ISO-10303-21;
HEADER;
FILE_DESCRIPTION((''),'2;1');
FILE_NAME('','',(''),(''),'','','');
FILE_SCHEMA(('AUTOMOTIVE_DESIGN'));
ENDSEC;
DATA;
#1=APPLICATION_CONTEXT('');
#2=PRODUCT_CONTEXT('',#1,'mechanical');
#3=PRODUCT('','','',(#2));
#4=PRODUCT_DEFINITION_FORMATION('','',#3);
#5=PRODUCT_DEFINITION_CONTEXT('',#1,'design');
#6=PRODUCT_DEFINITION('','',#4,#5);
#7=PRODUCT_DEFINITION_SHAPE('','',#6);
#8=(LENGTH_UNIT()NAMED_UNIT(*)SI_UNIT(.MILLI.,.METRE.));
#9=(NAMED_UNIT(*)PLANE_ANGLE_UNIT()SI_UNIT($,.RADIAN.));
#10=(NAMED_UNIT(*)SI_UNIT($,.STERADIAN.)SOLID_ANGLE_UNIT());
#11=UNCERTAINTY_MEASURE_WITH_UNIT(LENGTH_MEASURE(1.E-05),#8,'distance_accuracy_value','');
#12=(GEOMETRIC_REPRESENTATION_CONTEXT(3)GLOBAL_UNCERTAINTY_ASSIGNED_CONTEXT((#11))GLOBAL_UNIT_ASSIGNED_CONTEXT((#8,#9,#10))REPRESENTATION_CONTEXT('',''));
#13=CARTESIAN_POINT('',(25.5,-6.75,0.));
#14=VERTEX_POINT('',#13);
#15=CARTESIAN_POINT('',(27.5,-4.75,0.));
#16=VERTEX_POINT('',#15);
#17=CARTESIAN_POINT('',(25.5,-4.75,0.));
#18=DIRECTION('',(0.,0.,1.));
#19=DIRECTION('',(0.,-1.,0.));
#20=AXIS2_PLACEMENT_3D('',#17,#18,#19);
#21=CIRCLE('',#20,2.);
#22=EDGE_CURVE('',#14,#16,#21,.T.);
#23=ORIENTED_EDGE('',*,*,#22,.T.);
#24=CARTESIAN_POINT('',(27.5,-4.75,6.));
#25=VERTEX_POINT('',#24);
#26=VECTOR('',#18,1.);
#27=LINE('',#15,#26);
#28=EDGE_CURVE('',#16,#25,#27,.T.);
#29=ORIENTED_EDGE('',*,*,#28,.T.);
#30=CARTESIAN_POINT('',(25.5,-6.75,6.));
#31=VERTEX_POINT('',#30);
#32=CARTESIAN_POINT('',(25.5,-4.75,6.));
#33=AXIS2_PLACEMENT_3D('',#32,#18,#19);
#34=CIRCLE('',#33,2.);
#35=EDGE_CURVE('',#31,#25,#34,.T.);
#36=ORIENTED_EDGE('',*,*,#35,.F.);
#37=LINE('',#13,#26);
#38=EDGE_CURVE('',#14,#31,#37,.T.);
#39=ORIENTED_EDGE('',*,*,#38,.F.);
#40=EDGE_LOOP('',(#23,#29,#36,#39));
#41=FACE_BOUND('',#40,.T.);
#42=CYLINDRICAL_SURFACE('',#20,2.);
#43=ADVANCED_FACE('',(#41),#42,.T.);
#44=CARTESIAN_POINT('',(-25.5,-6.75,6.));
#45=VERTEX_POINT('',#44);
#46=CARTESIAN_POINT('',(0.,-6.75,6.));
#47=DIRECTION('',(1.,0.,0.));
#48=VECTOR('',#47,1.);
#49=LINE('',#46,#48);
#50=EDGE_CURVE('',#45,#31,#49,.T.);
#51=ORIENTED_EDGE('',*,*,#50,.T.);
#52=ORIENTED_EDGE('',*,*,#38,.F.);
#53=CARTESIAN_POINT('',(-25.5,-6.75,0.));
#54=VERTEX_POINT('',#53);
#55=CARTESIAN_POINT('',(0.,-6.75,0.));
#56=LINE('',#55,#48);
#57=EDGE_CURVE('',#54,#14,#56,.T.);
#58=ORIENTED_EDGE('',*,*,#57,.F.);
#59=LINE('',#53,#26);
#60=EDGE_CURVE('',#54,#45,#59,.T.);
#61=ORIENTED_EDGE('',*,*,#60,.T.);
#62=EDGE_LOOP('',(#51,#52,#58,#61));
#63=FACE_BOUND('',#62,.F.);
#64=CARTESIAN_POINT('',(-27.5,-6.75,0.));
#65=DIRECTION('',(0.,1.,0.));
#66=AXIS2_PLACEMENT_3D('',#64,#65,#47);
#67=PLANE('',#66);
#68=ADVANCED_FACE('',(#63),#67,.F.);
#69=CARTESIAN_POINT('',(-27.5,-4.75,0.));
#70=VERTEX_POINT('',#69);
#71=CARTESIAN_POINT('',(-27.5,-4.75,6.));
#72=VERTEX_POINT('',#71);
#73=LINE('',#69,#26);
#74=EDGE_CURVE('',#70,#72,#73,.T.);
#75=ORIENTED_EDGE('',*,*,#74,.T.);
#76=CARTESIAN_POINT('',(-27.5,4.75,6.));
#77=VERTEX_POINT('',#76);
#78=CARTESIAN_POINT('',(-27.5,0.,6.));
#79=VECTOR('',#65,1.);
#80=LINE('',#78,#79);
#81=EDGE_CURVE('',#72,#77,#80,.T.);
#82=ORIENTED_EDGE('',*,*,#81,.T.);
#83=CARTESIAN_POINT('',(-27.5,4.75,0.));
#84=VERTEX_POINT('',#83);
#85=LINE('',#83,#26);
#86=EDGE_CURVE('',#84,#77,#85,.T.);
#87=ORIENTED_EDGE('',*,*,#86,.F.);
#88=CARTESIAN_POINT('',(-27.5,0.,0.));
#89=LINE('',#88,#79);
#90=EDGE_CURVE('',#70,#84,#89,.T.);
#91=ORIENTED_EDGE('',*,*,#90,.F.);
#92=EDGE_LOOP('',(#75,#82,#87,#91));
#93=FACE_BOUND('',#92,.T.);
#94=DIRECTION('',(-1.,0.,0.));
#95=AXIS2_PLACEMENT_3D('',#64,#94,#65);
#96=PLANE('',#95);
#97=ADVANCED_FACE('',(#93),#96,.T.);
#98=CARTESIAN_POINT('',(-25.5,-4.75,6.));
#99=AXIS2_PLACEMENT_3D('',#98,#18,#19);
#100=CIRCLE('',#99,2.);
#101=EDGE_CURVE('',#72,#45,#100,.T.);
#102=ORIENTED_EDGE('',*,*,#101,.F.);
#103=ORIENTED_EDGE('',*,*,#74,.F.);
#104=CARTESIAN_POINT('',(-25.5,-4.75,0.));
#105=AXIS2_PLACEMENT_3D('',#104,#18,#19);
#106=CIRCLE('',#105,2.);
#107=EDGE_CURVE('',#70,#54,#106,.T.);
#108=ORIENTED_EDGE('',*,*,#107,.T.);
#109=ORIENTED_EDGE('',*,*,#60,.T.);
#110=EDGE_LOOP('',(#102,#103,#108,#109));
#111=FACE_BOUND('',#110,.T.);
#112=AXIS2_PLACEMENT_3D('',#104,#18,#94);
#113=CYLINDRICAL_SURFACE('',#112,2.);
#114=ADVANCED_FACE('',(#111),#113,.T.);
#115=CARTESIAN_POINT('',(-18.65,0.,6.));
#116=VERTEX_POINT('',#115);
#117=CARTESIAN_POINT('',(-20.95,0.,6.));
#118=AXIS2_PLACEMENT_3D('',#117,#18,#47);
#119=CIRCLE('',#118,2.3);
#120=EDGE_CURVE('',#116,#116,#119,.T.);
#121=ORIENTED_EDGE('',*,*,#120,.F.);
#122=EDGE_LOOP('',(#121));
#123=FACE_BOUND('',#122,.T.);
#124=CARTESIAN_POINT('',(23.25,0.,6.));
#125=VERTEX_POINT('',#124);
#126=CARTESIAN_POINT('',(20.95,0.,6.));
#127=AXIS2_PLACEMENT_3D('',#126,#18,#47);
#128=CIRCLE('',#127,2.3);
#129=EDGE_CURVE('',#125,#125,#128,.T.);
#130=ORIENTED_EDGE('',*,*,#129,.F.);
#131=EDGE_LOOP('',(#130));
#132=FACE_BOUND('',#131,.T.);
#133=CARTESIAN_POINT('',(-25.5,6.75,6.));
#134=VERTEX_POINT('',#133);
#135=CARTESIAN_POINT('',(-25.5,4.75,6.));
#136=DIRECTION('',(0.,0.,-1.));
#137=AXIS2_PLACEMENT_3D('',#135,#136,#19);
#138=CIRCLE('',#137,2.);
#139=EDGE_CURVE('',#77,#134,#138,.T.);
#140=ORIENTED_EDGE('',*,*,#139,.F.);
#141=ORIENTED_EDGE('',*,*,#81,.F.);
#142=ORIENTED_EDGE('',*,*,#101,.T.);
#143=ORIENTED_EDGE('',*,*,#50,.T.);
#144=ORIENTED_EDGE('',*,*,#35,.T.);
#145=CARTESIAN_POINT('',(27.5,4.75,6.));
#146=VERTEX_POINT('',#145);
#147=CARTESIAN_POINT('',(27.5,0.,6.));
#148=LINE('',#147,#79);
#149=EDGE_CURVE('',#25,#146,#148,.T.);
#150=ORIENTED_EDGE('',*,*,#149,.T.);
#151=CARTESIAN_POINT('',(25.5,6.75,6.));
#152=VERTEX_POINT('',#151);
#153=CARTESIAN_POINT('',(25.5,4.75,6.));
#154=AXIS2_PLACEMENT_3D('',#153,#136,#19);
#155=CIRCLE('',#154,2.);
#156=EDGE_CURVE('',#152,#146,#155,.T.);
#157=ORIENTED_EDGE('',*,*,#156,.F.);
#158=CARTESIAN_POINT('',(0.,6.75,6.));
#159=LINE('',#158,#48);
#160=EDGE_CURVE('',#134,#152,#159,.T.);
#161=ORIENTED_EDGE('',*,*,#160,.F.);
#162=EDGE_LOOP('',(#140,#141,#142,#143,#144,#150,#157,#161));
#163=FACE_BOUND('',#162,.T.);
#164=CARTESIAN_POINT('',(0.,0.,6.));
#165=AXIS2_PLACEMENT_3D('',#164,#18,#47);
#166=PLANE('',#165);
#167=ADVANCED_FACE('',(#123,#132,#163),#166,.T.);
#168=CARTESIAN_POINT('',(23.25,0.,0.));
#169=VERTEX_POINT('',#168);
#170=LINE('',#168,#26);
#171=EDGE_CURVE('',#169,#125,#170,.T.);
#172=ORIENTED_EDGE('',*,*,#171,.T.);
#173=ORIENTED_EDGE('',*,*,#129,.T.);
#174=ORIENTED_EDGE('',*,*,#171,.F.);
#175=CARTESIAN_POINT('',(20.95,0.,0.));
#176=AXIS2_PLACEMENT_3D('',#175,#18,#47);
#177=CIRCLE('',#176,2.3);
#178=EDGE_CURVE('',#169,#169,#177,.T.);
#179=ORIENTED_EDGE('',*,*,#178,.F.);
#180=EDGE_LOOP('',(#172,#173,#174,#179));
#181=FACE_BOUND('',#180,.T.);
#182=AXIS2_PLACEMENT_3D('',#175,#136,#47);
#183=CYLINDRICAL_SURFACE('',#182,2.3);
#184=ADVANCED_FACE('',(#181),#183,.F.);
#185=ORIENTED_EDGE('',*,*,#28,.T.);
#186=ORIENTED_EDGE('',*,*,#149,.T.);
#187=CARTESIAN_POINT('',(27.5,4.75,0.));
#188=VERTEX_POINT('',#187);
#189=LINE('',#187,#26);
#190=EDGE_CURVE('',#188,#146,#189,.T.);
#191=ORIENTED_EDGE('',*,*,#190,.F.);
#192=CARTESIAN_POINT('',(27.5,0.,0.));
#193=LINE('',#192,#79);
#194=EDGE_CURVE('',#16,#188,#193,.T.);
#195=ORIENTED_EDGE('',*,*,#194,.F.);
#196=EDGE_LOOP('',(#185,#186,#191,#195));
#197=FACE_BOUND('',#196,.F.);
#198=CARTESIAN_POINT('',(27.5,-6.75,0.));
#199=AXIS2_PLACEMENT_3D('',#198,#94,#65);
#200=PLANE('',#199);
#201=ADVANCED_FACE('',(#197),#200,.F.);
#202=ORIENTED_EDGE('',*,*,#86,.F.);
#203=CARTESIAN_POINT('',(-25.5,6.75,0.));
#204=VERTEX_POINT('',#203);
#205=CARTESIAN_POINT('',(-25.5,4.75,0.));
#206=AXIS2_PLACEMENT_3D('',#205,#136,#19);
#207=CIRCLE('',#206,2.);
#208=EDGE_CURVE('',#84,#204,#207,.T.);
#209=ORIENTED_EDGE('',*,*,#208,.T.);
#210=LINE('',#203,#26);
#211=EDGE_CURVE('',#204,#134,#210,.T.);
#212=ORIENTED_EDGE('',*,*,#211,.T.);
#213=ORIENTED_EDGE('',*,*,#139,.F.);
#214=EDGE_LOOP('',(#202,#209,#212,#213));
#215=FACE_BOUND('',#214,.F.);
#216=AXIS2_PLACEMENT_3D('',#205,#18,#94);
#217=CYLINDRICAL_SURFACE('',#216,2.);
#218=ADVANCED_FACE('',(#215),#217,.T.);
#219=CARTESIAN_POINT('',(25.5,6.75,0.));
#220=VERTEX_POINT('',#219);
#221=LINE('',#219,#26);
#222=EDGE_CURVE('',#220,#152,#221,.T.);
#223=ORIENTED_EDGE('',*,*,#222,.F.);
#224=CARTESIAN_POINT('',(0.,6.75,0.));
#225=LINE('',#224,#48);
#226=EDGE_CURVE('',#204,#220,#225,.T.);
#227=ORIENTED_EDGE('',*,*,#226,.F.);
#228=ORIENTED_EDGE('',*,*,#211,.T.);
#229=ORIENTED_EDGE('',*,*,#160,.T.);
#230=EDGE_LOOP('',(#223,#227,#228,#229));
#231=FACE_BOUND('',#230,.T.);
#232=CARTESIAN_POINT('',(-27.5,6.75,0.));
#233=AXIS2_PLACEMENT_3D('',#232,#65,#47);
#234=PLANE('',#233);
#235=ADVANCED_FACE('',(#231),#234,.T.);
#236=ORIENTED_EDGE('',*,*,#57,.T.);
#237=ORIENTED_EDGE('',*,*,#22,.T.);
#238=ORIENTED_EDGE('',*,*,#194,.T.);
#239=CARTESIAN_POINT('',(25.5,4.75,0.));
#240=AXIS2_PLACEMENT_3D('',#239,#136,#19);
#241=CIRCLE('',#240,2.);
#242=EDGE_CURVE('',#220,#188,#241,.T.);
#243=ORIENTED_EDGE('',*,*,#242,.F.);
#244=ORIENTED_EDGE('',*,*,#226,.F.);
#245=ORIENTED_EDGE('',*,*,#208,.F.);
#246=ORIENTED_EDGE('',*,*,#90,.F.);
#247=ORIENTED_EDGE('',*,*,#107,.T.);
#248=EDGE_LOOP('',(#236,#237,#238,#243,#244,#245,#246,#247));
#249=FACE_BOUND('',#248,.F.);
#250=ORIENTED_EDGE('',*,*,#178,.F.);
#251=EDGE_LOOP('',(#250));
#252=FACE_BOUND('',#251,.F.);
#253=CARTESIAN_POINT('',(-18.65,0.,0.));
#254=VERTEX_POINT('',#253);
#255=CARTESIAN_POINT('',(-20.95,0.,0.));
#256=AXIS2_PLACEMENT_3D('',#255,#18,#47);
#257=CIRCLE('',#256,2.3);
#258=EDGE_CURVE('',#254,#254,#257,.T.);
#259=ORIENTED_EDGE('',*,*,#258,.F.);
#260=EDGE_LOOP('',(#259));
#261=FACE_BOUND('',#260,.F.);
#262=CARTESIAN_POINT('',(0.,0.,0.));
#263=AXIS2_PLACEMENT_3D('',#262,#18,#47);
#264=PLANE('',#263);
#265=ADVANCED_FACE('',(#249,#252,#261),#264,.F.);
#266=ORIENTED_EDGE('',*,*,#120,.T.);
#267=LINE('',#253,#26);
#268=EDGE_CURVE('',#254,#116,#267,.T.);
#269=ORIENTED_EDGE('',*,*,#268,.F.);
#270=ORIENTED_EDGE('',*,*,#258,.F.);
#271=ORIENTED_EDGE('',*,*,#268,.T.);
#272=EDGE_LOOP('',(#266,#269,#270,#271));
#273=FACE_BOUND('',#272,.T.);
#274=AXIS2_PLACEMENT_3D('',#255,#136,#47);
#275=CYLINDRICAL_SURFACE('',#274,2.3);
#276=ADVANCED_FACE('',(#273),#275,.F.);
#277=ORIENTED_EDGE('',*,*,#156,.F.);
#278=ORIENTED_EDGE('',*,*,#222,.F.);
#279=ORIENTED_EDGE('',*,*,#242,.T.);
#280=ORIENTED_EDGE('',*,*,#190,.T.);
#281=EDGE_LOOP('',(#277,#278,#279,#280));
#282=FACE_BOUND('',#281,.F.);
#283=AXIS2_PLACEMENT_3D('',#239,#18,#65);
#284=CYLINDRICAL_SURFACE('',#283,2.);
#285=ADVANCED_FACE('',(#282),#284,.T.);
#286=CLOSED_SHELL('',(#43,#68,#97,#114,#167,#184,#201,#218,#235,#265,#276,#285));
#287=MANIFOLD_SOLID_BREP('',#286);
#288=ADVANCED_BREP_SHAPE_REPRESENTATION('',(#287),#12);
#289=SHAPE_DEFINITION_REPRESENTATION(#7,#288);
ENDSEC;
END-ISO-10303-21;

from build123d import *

# Parameters (mm, degrees)
F0_W     = 55
F0_H     = 13.5
F0_R     = 2.3
F1_DEPTH = 6
F2_R     = 2


with BuildPart() as f1:
    # F0 (on Top) → F1 (new body)
    with BuildSketch(Plane.XY):
        Rectangle(F0_W, F0_H)
        with Locations((-20.95, 0)):
            Circle(F0_R, mode=Mode.SUBTRACT)
        with Locations((20.95, 0)):
            Circle(F0_R, mode=Mode.SUBTRACT)
    extrude(amount=F1_DEPTH)

    # F2
    f2_edges = [f1.edges().sort_by_distance(p)[0] for p in [
        (-27.5, -6.75, 3),
        (-27.5, 6.75, 3),
        (27.5, 6.75, 3),
        (27.5, -6.75, 3),
    ]]
    fillet(f2_edges, radius=F2_R)


solid = f1.part
